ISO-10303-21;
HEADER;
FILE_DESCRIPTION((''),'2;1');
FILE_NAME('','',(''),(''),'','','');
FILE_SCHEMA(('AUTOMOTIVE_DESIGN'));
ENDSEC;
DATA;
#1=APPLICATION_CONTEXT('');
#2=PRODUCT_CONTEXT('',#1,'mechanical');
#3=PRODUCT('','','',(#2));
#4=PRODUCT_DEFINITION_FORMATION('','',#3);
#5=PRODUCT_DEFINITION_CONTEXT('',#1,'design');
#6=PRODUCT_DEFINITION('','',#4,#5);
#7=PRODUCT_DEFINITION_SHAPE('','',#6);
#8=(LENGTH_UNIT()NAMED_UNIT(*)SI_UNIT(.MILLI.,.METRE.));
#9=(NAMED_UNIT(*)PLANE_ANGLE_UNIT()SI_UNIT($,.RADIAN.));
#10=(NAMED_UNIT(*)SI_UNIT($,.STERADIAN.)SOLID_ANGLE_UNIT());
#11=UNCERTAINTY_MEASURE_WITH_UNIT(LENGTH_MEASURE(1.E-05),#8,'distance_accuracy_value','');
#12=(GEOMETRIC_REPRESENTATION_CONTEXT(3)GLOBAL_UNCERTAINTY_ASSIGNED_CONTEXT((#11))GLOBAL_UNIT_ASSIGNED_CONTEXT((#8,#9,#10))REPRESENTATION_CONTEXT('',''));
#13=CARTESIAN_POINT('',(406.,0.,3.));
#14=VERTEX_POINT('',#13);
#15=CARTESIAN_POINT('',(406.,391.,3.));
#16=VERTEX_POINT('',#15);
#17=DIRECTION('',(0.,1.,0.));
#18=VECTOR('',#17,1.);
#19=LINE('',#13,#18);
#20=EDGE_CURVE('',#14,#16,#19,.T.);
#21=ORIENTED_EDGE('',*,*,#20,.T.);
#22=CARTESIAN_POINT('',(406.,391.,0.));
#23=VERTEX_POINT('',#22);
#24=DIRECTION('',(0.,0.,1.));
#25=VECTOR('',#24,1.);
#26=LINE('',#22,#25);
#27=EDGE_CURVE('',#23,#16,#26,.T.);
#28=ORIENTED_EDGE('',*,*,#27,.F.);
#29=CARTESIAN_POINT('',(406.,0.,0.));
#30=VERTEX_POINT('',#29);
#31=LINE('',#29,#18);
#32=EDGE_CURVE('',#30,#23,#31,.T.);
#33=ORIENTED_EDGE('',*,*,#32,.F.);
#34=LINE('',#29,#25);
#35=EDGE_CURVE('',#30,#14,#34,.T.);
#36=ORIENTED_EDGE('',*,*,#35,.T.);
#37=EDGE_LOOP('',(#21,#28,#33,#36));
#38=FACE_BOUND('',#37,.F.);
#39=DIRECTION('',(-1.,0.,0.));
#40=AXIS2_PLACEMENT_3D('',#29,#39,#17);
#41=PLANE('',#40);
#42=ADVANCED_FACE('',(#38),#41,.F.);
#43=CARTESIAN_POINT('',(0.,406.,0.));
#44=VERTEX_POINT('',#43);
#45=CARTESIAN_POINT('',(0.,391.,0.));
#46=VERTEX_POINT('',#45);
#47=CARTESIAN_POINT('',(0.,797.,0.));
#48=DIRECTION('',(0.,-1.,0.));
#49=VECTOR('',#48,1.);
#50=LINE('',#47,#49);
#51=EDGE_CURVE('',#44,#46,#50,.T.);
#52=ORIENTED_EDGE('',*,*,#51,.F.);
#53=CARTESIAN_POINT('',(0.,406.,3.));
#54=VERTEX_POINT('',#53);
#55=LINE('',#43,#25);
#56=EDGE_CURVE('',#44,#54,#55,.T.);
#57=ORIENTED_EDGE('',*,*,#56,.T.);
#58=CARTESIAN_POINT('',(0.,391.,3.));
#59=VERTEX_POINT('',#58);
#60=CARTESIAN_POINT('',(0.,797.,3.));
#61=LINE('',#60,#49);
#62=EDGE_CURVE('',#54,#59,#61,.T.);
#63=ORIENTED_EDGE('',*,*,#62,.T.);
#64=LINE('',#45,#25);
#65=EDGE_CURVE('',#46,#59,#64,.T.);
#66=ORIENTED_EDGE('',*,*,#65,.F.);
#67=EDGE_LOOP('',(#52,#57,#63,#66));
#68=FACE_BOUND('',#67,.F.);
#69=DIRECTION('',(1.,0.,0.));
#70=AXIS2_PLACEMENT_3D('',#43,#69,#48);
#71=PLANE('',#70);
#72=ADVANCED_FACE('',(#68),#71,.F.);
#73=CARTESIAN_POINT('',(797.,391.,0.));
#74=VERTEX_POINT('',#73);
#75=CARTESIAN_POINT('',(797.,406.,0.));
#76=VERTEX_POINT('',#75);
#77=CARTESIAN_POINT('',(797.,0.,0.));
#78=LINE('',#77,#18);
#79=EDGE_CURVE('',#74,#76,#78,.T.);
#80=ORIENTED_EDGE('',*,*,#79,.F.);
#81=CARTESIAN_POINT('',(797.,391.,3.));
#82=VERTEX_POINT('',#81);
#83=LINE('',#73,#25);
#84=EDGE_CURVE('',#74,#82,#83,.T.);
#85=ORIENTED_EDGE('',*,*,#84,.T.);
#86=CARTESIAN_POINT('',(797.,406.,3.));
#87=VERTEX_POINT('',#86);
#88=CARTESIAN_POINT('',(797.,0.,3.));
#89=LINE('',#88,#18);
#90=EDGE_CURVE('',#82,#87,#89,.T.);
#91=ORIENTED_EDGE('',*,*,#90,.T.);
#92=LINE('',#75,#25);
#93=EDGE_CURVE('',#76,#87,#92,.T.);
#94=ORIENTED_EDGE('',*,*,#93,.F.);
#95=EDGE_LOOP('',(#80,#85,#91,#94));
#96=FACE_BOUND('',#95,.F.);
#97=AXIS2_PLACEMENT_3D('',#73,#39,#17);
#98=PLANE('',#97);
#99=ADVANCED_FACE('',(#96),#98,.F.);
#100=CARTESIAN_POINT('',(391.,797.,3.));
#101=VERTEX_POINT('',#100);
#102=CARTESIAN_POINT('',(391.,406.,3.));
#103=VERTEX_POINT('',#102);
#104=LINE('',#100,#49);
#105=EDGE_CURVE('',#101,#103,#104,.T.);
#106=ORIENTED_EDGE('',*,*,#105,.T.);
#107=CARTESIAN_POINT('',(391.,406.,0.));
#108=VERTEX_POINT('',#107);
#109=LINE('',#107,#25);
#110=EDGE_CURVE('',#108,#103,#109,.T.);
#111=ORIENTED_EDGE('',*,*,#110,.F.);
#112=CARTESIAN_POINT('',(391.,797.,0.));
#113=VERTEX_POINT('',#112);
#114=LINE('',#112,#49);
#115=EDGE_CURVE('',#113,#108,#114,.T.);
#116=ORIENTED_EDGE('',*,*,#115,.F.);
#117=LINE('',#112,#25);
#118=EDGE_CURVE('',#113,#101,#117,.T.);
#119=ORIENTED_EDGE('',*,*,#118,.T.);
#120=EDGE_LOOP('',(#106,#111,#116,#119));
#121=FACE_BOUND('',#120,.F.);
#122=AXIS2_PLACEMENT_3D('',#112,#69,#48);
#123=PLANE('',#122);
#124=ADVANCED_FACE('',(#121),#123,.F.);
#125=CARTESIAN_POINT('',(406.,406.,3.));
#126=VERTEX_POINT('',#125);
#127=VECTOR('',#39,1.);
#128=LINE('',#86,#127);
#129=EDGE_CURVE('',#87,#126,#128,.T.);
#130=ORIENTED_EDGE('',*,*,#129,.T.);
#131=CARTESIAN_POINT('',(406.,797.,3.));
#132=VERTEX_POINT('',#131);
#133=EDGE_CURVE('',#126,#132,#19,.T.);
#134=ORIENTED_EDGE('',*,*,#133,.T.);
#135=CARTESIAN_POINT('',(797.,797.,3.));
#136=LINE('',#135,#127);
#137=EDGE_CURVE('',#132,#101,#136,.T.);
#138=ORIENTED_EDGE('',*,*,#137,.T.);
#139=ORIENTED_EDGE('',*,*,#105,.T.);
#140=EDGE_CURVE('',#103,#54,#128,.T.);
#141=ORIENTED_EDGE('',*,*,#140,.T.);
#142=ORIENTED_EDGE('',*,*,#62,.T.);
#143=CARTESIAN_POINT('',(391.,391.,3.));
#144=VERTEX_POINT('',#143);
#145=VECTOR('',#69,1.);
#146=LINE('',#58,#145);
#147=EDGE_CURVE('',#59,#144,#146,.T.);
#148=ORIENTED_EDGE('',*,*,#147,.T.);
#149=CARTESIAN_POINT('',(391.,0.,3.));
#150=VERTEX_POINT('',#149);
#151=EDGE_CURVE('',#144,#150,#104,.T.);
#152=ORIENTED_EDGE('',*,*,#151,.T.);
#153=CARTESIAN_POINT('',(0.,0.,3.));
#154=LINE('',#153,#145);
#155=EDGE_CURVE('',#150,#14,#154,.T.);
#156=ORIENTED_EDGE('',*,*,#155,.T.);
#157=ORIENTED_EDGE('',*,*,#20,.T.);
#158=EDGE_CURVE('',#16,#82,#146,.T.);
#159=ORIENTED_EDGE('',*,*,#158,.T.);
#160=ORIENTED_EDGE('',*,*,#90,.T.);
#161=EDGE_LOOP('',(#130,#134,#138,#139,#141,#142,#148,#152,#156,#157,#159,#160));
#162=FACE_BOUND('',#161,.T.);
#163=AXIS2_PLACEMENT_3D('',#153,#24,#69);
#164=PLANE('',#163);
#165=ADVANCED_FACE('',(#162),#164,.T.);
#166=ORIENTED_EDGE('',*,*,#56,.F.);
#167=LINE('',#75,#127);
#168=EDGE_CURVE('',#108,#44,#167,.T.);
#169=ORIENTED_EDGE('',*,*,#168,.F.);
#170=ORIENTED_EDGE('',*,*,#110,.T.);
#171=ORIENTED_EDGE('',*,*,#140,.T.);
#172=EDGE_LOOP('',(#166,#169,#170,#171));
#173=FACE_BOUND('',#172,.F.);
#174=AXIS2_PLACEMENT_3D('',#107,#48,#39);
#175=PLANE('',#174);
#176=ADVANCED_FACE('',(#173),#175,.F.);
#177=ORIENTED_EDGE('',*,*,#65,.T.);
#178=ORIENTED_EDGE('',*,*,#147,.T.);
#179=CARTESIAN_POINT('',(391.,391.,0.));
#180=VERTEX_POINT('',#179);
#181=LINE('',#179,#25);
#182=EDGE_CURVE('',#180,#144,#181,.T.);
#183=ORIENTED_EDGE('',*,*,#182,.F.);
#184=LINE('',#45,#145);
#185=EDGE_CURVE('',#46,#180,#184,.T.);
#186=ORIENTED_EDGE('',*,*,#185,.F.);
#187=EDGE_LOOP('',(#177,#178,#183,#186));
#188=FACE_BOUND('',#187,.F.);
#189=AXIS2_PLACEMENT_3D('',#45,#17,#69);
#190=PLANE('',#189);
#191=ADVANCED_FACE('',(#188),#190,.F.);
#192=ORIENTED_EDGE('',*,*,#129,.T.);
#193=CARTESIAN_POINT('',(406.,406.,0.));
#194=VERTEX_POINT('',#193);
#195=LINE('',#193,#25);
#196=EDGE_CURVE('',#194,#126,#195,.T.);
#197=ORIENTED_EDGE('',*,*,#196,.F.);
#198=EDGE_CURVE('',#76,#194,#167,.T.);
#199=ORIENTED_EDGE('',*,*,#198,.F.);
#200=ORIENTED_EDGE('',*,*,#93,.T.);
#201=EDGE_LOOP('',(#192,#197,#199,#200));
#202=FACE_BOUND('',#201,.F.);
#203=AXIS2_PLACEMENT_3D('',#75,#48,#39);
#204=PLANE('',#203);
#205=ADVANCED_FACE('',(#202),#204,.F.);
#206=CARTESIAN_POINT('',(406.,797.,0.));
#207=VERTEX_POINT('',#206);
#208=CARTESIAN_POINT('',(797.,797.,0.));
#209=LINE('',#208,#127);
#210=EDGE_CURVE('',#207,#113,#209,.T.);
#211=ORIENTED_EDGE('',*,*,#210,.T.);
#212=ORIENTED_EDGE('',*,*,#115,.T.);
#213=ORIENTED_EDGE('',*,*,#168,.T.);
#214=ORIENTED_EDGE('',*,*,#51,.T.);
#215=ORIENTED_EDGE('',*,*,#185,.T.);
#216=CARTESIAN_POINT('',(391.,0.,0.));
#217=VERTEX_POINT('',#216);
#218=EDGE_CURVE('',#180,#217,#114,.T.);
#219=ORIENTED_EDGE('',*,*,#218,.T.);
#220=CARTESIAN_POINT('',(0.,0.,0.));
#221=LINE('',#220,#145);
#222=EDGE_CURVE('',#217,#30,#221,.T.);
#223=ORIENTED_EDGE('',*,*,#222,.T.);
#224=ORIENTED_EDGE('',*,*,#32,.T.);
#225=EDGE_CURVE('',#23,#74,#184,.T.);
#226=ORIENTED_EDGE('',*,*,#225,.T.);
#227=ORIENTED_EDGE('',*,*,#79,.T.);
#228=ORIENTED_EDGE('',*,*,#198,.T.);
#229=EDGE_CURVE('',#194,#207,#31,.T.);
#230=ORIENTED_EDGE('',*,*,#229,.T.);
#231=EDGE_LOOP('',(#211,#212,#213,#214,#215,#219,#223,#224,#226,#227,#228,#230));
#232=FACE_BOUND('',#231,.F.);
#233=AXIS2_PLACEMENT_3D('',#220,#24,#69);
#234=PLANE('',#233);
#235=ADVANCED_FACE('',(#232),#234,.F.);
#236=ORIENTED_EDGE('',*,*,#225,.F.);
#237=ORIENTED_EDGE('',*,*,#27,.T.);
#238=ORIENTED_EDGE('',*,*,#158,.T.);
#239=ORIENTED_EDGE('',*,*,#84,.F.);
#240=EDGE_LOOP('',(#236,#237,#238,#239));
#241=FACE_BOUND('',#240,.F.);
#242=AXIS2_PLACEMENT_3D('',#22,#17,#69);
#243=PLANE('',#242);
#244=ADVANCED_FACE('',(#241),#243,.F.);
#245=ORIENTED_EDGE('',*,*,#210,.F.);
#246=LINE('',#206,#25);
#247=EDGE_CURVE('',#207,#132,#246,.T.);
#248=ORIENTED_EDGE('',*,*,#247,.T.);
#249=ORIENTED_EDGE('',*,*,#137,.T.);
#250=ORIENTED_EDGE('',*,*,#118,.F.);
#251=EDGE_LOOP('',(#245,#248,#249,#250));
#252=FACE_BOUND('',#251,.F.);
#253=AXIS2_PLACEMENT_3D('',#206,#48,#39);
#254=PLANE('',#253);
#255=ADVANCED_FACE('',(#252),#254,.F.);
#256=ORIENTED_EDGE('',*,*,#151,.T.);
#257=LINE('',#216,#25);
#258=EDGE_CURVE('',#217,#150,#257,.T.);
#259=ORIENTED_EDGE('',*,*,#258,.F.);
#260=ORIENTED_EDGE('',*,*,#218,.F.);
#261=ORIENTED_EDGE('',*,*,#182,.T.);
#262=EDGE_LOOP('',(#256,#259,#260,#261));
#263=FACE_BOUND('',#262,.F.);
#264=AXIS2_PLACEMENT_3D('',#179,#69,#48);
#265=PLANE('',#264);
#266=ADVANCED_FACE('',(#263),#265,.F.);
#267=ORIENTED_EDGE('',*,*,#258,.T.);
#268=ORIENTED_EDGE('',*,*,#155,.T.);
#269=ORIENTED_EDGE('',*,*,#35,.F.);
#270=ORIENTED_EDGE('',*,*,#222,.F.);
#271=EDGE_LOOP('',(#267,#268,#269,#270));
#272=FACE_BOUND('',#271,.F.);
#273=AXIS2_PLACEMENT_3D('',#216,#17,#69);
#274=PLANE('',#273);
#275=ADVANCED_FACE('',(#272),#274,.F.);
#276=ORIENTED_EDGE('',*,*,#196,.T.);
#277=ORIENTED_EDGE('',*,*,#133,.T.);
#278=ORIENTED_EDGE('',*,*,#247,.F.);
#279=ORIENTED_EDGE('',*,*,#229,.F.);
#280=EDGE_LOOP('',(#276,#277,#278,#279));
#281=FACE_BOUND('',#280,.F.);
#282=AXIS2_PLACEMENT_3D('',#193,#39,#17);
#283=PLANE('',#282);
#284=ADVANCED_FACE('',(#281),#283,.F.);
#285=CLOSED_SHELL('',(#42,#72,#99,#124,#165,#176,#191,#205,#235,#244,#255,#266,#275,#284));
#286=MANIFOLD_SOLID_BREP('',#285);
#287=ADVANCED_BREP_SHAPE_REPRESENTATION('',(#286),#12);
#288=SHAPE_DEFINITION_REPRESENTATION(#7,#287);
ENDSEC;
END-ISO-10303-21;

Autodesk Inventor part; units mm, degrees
ref_plane "YZ Plane" through (0, 0, 0) normal (1, 0, 0) x (0, 1, 0)
ref_plane "XZ Plane" through (0, 0, 0) normal (0, 1, 0) x (-1, 0, 0)
ref_plane "XY Plane" through (0, 0, 0) normal (0, 0, 1) x (1, 0, 0)
ref_plane "Płaszczyzna konstrukcyjna1" through (0, 0, 0) normal (0, 0, 1) x (1, 0, 0)
sketch "Szkic1" plane through (0, 0, 0) normal (0, 0, 1) x (1, 0, 0)
  circle A0 centre (836, 698.5) radius 4 projected
  circle A1 centre (836, 98.5) radius 4 projected
  circle A2 centre (698.5, -39) radius 4 projected
  circle A3 centre (98.5, -39) radius 4 projected
  circle A4 centre (-39, 98.5) radius 4 projected
  circle A5 centre (-39, 698.5) radius 4 projected
  circle A6 centre (836, 398.5) radius 4 projected
  circle A7 centre (398.5, -39) radius 4 projected
  circle A8 centre (-39, 398.5) radius 4 projected
  circle A9 centre (98.5, 836) radius 4 projected
  circle A10 centre (698.5, 836) radius 4 projected
  circle A11 centre (398.5, 836) radius 4 projected
  line L0 (0, 797) -> (0, 0) projected
  line L1 (0, 0) -> (797, 0) projected
  line L2 (797, 0) -> (797, 797) projected
  line L3 (797, 797) -> (0, 797) projected
  line L4 (856, 856) -> (856, -59) projected
  line L5 (856, -59) -> (-59, -59) projected
  line L6 (-59, -59) -> (-59, 856) projected
  line L7 (-59, 856) -> (856, 856) projected
  line L8 (406, 797) -> (391, 797)
  line L9 (391, 797) -> (391, 0)
  line L10 (391, 0) -> (406, 0)
  line L11 (406, 0) -> (406, 797)
  line L12 (406, 797) -> (391, 0) construction
  line L13 (391, 797) -> (406, 0) construction
  line L14 (797, 406) -> (0, 406)
  line L15 (0, 406) -> (0, 391)
  line L16 (0, 391) -> (797, 391)
  line L17 (797, 391) -> (797, 406)
  line L18 (797, 406) -> (0, 391) construction
  line L19 (0, 406) -> (797, 391) construction
  circle A12 centre (761, -24) radius 3 projected
  circle A13 centre (348.5, -24) radius 3 projected
  circle A14 centre (-24, -24) radius 3 projected
  circle A15 centre (-24, 348.5) radius 3 projected
  circle A16 centre (-24, 761) radius 3 projected
  circle A17 centre (248.5, 821) radius 3 projected
  circle A18 centre (648.5, 821) radius 3 projected
  circle A19 centre (821, 648.5) radius 3 projected
  circle A20 centre (821, 248.5) radius 3 projected
  circle A21 centre (821, 348.5) radius 3 projected
  circle A22 centre (821, 761) radius 3 projected
  circle A23 centre (548.5, 821) radius 3 projected
  circle A24 centre (148.5, 821) radius 3 projected
  circle A25 centre (-24, 648.5) radius 3 projected
  circle A26 centre (-24, 248.5) radius 3 projected
  circle A27 centre (36, -24) radius 3 projected
  circle A28 centre (448.5, -24) radius 3 projected
  circle A29 centre (821, -24) radius 3 projected
  circle A30 centre (648.5, -24) radius 3 projected
  circle A31 centre (248.5, -24) radius 3 projected
  circle A32 centre (-24, 36) radius 3 projected
  circle A33 centre (-24, 448.5) radius 3 projected
  circle A34 centre (-24, 821) radius 3 projected
  circle A35 centre (348.5, 821) radius 3 projected
  circle A36 centre (761, 821) radius 3 projected
  circle A37 centre (821, 548.5) radius 3 projected
  circle A38 centre (821, 148.5) radius 3 projected
  circle A39 centre (821, 448.5) radius 3 projected
  circle A40 centre (821, 821) radius 3 projected
  circle A41 centre (448.5, 821) radius 3 projected
  circle A42 centre (36, 821) radius 3 projected
  circle A43 centre (-24, 548.5) radius 3 projected
  circle A44 centre (-24, 148.5) radius 3 projected
  circle A45 centre (148.5, -24) radius 3 projected
  circle A46 centre (548.5, -24) radius 3 projected
  circle A47 centre (821, 36) radius 3 projected
  point P0 (398.5, 398.5)
  point P1 (391, 391)
  point P2 (406, 391)
  point P3 (797, 391)
  point P4 (797, 406)
  point P5 (406, 406)
  point P6 (391, 406)
  point P7 (0, 406)
  dimension "d6" = 15
  dimension "d7" = 797
  dimension "d8" = 15
extrude "Wyciągnięcie proste1" add sketch "Szkic1" along normal blind 3 contours L14 L9 L16 L0 | L3 L11 L14 L9 | L14 L11 L16 L9 | L16 L11 L1 L9 | L14 L2 L16 L11
properties part number "krys" material "Aluminium"
